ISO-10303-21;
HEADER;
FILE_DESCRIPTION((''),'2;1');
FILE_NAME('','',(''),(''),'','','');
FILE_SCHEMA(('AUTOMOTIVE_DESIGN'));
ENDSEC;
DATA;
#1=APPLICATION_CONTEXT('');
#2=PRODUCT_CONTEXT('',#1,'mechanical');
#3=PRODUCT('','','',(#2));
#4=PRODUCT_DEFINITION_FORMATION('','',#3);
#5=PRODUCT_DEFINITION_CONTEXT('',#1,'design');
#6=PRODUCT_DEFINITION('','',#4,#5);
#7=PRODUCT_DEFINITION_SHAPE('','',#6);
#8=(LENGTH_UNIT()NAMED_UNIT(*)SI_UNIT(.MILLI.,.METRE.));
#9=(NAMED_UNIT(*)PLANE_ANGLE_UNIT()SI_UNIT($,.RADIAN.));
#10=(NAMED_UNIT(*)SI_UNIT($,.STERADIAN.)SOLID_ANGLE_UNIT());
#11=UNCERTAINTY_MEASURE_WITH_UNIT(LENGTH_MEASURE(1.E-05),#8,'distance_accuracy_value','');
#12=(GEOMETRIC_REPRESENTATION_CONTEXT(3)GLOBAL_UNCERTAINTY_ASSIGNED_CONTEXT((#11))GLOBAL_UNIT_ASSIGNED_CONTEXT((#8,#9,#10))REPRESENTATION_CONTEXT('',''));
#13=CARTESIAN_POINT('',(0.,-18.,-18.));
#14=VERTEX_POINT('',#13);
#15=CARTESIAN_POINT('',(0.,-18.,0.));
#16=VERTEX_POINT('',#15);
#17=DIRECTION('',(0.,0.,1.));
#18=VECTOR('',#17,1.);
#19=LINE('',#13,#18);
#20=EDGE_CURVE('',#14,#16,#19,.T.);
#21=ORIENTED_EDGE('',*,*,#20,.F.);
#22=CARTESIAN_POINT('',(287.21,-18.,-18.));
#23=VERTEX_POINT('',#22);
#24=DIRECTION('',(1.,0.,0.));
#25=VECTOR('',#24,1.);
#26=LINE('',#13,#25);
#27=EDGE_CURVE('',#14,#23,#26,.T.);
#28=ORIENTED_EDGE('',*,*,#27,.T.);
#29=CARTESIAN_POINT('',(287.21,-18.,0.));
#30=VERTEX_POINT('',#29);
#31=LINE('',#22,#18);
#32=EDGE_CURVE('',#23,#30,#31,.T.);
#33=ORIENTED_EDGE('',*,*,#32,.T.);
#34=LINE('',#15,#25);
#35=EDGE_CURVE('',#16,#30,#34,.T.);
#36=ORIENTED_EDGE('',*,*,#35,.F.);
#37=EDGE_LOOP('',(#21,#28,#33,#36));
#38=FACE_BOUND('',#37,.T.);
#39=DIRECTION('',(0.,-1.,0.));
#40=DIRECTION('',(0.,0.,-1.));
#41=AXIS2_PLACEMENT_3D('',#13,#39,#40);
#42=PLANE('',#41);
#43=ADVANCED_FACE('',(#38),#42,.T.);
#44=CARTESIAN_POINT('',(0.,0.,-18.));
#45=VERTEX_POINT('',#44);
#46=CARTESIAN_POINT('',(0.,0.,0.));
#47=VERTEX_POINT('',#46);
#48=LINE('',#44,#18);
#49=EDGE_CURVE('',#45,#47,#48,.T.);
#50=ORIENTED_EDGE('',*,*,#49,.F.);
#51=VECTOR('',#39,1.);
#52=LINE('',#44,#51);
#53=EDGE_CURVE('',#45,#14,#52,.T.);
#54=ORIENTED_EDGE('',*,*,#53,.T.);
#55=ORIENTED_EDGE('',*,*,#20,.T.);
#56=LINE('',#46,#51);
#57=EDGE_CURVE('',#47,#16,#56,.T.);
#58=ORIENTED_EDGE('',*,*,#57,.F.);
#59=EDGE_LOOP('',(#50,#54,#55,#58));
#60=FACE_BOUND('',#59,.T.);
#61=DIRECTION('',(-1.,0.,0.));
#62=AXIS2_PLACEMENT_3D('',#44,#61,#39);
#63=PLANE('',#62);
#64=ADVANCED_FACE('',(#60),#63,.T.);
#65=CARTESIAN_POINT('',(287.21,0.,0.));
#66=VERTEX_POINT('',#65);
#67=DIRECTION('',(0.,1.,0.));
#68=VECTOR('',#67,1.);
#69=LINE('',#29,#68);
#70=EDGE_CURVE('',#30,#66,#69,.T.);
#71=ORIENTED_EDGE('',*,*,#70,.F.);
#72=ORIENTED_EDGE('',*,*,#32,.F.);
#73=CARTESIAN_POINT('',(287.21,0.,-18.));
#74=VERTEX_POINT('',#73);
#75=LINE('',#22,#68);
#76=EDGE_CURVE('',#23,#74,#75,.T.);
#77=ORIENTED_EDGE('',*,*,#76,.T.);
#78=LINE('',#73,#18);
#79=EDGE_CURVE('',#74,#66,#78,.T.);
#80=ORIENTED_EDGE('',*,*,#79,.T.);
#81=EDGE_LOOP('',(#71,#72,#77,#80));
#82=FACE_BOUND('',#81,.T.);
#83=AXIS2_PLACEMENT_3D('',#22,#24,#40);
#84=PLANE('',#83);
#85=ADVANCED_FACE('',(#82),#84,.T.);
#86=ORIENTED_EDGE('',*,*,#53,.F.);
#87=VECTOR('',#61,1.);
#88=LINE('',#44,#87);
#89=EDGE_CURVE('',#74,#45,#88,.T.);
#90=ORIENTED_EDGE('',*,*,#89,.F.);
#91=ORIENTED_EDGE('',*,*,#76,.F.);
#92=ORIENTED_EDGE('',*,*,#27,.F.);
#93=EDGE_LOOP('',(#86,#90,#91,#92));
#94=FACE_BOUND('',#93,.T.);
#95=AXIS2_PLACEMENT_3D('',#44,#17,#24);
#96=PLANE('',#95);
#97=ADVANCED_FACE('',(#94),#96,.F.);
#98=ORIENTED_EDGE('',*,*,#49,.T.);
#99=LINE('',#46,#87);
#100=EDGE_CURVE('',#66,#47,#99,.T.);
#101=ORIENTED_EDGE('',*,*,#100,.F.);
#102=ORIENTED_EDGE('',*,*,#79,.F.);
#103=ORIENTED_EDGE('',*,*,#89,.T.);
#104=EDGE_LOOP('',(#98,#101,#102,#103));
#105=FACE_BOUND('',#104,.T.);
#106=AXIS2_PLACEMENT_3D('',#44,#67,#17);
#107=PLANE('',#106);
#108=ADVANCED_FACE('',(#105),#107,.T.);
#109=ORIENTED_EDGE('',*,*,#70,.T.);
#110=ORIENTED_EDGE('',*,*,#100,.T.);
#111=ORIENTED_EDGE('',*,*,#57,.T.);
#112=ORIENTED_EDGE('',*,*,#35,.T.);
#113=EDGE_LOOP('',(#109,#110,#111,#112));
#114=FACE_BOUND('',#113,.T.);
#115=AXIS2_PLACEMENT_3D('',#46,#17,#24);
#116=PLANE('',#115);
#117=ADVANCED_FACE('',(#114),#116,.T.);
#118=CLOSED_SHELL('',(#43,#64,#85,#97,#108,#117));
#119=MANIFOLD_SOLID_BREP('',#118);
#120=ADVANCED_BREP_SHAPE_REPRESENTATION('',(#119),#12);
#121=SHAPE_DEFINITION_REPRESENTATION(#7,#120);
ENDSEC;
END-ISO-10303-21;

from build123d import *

# Parameters (mm, degrees)
CROQUIS1_W              = 287.21
CROQUIS1_H              = 18
SALIENTE_EXTRUIR1_DEPTH = 18


with BuildPart() as part:
    # Croquis1 → Saliente-Extruir1 (new body)
    with BuildSketch(Plane.XY):
        with Locations((143.605, -9)):
            Rectangle(CROQUIS1_W, CROQUIS1_H)
    extrude(amount=-SALIENTE_EXTRUIR1_DEPTH)


solid = part.part
